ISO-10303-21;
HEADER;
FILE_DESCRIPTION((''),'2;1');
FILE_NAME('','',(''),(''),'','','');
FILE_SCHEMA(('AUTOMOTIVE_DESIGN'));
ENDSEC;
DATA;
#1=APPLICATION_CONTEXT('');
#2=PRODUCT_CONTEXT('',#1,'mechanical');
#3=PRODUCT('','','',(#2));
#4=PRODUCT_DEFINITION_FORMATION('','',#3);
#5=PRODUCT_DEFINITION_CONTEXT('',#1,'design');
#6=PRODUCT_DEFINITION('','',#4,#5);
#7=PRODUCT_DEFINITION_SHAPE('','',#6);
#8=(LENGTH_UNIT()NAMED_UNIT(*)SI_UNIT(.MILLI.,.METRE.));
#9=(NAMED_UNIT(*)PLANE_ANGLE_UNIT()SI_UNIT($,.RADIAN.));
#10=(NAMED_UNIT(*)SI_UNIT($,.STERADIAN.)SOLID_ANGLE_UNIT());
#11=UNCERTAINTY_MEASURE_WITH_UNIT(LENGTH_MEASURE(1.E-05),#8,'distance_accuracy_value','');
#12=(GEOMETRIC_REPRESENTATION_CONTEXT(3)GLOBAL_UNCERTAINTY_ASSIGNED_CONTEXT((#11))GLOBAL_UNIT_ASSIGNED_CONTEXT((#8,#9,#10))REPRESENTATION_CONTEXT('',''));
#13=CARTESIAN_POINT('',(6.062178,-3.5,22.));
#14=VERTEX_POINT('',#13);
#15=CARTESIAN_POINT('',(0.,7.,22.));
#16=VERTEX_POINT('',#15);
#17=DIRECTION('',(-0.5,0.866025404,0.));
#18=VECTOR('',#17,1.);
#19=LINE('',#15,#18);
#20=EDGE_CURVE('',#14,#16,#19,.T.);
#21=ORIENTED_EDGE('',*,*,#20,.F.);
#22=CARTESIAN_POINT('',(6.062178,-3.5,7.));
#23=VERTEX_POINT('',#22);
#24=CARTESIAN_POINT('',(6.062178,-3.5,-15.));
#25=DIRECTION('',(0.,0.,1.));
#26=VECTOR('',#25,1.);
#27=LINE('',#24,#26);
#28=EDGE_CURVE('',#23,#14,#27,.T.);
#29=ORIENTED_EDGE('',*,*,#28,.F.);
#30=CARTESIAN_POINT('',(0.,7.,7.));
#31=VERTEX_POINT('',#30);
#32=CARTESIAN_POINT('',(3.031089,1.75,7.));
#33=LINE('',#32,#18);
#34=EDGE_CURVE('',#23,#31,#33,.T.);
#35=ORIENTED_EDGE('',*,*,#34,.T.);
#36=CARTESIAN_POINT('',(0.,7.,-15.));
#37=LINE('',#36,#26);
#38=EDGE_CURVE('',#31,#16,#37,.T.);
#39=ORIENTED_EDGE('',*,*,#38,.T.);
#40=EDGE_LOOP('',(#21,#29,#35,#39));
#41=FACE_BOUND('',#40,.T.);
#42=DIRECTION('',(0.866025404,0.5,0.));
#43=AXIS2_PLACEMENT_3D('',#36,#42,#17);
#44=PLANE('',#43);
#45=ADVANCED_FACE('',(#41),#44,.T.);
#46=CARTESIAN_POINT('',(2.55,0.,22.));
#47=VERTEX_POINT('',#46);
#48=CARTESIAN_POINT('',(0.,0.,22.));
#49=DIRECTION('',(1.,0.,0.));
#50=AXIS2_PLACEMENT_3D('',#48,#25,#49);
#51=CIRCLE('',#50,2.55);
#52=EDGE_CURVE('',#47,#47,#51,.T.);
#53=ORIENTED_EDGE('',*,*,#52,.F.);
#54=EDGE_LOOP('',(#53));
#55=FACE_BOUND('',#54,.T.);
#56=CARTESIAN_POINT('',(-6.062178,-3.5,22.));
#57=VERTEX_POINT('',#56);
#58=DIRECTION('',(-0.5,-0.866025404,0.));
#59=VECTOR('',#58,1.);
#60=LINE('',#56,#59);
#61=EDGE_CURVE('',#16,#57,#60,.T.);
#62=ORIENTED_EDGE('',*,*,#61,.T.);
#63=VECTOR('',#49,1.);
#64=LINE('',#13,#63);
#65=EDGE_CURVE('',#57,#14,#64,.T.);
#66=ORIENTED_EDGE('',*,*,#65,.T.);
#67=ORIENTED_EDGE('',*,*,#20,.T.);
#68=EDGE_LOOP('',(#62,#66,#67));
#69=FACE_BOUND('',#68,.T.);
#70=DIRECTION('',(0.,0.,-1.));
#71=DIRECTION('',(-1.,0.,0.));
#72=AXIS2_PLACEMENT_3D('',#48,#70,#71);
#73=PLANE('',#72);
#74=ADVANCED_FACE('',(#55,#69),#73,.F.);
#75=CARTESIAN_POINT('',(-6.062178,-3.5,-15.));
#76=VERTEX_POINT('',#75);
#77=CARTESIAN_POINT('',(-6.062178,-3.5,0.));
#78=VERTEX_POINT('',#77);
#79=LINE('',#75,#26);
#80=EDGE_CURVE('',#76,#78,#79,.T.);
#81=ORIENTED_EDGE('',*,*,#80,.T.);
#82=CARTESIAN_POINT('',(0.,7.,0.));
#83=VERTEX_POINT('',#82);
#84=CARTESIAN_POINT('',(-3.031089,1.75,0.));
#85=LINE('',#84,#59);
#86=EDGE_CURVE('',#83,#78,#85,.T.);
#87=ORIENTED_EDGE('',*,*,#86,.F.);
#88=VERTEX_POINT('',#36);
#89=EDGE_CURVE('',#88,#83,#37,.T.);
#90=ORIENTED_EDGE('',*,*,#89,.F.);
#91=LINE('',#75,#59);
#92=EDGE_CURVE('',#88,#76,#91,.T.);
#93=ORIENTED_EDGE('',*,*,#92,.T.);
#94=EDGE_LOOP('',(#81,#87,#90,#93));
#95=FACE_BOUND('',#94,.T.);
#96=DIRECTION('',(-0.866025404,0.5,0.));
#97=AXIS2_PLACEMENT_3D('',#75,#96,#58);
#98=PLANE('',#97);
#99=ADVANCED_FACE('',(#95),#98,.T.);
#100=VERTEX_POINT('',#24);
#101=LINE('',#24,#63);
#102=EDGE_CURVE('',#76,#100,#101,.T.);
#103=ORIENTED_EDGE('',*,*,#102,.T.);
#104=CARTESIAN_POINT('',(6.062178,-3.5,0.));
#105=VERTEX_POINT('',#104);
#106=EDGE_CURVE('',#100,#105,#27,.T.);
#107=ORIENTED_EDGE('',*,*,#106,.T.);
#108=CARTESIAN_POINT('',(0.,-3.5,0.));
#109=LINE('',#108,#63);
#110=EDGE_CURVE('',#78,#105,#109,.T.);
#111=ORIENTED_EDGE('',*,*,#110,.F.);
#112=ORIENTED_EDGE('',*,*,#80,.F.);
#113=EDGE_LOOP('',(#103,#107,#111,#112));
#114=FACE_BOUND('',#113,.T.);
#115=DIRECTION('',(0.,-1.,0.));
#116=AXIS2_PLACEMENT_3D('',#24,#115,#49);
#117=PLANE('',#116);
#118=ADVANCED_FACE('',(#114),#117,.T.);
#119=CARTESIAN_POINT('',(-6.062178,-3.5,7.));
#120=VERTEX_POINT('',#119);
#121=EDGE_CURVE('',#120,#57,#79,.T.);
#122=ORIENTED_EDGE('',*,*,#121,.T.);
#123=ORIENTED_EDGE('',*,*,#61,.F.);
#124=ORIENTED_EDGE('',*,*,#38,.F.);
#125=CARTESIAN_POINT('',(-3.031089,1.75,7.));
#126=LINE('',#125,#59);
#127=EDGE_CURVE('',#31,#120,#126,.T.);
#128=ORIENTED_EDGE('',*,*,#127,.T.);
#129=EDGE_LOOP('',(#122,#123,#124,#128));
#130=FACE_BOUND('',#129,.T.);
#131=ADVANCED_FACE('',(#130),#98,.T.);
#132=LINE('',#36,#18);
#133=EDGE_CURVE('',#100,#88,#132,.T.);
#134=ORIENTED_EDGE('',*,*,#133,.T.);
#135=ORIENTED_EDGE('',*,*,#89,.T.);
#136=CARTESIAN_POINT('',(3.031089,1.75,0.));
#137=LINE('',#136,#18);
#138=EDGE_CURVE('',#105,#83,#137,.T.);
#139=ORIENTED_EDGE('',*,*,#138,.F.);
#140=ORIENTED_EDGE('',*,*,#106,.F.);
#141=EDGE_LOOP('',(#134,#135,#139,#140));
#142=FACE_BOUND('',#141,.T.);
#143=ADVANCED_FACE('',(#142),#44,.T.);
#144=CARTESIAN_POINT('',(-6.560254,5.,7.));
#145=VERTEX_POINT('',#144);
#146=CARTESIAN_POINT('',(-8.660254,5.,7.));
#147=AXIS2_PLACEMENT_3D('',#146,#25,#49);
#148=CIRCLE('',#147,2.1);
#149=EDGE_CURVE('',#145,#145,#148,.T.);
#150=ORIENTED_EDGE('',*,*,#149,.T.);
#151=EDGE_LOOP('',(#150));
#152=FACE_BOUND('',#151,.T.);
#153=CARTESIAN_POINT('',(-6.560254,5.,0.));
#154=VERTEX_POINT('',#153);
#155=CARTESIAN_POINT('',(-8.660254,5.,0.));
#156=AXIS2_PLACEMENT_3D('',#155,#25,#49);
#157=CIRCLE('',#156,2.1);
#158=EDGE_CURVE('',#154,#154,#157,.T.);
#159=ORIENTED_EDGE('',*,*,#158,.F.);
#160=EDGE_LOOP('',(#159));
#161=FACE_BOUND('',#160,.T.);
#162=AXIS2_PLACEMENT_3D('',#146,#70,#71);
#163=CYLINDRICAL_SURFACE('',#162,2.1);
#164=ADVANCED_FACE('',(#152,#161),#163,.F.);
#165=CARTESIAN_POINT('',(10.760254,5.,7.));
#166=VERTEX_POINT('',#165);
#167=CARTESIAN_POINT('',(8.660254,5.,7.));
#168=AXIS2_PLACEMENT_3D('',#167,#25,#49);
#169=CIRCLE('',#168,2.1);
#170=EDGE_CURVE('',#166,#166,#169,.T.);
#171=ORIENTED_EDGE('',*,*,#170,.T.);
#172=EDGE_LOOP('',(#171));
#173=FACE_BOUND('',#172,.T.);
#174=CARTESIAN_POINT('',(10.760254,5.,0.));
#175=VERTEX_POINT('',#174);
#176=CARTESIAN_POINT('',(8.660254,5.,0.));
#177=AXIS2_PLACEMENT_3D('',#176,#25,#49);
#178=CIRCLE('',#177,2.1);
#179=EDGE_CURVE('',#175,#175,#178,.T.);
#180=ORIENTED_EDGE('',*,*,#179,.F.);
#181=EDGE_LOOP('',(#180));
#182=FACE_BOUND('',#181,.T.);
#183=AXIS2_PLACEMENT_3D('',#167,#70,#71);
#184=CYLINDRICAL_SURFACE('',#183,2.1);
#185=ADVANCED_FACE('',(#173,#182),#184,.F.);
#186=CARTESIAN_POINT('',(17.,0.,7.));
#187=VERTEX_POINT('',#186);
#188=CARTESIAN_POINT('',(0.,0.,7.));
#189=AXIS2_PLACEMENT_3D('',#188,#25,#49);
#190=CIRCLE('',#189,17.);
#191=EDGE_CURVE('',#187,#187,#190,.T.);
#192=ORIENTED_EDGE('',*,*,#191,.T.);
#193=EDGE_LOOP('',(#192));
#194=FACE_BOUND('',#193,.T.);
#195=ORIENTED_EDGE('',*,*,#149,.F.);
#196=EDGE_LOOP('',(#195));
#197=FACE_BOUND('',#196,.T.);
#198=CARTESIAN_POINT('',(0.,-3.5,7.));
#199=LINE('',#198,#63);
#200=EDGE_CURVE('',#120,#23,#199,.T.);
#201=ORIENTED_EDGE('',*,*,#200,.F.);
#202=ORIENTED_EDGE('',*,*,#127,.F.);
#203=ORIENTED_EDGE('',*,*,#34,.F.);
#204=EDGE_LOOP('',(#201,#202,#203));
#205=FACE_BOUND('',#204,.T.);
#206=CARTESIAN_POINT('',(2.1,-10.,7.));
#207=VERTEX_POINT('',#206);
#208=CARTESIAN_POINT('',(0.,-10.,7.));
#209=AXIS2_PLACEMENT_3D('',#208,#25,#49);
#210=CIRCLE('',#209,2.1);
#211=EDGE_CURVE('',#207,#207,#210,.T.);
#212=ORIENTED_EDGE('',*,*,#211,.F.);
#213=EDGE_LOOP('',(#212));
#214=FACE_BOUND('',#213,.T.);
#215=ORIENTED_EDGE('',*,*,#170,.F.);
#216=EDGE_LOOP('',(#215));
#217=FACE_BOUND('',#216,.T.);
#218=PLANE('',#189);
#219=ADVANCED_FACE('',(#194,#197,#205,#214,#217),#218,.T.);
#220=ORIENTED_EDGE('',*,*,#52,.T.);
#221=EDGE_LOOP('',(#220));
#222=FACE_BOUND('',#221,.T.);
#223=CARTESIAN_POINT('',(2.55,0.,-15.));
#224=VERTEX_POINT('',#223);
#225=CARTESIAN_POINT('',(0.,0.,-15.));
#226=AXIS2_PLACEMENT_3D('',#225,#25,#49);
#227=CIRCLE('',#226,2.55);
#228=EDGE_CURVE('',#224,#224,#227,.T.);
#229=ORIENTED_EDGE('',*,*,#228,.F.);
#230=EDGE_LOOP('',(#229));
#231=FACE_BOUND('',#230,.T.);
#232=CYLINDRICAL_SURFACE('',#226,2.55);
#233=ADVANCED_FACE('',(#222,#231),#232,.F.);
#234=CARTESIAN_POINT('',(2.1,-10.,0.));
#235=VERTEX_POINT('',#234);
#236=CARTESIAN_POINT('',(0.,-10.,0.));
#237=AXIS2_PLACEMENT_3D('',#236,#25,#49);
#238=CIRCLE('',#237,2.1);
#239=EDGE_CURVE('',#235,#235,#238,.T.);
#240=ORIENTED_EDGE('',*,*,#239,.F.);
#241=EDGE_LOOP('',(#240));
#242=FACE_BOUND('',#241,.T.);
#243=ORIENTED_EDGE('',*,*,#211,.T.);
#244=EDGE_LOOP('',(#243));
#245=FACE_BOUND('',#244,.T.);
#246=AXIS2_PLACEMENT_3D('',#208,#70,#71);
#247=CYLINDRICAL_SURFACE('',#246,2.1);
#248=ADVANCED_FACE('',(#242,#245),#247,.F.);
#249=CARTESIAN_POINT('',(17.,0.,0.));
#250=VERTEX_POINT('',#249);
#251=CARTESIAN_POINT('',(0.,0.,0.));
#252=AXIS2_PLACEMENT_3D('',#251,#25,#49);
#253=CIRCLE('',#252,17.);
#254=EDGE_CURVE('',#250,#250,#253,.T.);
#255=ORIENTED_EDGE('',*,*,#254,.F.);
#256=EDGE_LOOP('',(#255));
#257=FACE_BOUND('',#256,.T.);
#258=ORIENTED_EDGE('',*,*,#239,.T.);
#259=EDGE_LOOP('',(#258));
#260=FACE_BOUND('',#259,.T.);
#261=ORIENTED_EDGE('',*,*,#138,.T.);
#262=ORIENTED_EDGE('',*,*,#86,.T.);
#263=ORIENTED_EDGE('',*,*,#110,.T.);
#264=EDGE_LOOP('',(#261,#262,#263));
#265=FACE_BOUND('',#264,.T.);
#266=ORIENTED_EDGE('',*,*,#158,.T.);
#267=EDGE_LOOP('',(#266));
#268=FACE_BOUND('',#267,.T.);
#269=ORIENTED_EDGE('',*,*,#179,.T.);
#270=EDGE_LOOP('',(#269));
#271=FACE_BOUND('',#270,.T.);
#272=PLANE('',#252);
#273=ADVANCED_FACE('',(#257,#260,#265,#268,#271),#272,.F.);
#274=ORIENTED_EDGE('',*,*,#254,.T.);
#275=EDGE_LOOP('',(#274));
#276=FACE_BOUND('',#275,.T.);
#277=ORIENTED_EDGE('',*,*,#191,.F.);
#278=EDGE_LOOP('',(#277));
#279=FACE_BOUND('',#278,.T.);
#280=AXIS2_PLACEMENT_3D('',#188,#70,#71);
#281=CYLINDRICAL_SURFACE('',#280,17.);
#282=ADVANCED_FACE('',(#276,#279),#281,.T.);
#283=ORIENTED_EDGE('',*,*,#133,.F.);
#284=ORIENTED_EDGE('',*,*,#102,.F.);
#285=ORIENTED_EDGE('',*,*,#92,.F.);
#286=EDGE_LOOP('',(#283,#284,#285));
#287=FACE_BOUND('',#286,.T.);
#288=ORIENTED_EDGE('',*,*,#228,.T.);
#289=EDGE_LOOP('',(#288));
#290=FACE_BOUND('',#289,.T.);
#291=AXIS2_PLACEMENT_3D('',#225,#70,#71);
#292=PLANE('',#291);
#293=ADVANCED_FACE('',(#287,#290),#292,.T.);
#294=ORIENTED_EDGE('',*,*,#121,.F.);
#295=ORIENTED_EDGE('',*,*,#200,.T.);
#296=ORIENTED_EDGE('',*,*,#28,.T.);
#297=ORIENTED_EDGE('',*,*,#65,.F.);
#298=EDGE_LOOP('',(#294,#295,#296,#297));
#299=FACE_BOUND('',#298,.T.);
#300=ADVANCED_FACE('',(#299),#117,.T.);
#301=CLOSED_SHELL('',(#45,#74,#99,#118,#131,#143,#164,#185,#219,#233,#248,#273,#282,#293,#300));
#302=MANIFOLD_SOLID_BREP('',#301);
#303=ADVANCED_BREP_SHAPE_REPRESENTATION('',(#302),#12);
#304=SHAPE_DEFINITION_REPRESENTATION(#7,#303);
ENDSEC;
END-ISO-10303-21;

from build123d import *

# Parameters (mm, degrees)
SKETCH3_R                = 17
SKETCH3_R_2              = 2.1
BOSS_EXTRUDE1_DEPTH      = 7
SKETCH4_R                = 2.55
BOSS_EXTRUDE2_DEPTH      = 15
BOSS_EXTRUDE2_DEPTH_BACK = 22
SKETCH9_R                = 2.55
CUT_EXTRUDE1_DEPTH       = 23


with BuildPart() as part:
    # Sketch3 → Boss-Extrude1 (new body)
    with BuildSketch(Plane.XY):
        Circle(SKETCH3_R)
        with Locations((8.660254038, 5)):
            Circle(SKETCH3_R_2, mode=Mode.SUBTRACT)
        with Locations((0, -10)):
            Circle(SKETCH3_R_2, mode=Mode.SUBTRACT)
        with Locations((-8.660254038, 5)):
            Circle(SKETCH3_R_2, mode=Mode.SUBTRACT)
    extrude(amount=BOSS_EXTRUDE1_DEPTH)

    # Sketch4 → Boss-Extrude2 (add, two sides)
    with BuildSketch(Plane.XY.offset(7)) as boss_extrude2_sk:
        Polygon((0, 7), (6.062177826, -3.5), (-6.062177826, -3.5), align=None)
        Circle(SKETCH4_R, mode=Mode.SUBTRACT)
    extrude(amount=BOSS_EXTRUDE2_DEPTH)
    extrude(boss_extrude2_sk.sketch, amount=-BOSS_EXTRUDE2_DEPTH_BACK)

    # Sketch9 → Cut-Extrude1 (cut, through all)
    with BuildSketch(Plane.XY.offset(7)):
        Circle(SKETCH9_R)
    extrude(amount=-CUT_EXTRUDE1_DEPTH, mode=Mode.SUBTRACT)


solid = part.part
